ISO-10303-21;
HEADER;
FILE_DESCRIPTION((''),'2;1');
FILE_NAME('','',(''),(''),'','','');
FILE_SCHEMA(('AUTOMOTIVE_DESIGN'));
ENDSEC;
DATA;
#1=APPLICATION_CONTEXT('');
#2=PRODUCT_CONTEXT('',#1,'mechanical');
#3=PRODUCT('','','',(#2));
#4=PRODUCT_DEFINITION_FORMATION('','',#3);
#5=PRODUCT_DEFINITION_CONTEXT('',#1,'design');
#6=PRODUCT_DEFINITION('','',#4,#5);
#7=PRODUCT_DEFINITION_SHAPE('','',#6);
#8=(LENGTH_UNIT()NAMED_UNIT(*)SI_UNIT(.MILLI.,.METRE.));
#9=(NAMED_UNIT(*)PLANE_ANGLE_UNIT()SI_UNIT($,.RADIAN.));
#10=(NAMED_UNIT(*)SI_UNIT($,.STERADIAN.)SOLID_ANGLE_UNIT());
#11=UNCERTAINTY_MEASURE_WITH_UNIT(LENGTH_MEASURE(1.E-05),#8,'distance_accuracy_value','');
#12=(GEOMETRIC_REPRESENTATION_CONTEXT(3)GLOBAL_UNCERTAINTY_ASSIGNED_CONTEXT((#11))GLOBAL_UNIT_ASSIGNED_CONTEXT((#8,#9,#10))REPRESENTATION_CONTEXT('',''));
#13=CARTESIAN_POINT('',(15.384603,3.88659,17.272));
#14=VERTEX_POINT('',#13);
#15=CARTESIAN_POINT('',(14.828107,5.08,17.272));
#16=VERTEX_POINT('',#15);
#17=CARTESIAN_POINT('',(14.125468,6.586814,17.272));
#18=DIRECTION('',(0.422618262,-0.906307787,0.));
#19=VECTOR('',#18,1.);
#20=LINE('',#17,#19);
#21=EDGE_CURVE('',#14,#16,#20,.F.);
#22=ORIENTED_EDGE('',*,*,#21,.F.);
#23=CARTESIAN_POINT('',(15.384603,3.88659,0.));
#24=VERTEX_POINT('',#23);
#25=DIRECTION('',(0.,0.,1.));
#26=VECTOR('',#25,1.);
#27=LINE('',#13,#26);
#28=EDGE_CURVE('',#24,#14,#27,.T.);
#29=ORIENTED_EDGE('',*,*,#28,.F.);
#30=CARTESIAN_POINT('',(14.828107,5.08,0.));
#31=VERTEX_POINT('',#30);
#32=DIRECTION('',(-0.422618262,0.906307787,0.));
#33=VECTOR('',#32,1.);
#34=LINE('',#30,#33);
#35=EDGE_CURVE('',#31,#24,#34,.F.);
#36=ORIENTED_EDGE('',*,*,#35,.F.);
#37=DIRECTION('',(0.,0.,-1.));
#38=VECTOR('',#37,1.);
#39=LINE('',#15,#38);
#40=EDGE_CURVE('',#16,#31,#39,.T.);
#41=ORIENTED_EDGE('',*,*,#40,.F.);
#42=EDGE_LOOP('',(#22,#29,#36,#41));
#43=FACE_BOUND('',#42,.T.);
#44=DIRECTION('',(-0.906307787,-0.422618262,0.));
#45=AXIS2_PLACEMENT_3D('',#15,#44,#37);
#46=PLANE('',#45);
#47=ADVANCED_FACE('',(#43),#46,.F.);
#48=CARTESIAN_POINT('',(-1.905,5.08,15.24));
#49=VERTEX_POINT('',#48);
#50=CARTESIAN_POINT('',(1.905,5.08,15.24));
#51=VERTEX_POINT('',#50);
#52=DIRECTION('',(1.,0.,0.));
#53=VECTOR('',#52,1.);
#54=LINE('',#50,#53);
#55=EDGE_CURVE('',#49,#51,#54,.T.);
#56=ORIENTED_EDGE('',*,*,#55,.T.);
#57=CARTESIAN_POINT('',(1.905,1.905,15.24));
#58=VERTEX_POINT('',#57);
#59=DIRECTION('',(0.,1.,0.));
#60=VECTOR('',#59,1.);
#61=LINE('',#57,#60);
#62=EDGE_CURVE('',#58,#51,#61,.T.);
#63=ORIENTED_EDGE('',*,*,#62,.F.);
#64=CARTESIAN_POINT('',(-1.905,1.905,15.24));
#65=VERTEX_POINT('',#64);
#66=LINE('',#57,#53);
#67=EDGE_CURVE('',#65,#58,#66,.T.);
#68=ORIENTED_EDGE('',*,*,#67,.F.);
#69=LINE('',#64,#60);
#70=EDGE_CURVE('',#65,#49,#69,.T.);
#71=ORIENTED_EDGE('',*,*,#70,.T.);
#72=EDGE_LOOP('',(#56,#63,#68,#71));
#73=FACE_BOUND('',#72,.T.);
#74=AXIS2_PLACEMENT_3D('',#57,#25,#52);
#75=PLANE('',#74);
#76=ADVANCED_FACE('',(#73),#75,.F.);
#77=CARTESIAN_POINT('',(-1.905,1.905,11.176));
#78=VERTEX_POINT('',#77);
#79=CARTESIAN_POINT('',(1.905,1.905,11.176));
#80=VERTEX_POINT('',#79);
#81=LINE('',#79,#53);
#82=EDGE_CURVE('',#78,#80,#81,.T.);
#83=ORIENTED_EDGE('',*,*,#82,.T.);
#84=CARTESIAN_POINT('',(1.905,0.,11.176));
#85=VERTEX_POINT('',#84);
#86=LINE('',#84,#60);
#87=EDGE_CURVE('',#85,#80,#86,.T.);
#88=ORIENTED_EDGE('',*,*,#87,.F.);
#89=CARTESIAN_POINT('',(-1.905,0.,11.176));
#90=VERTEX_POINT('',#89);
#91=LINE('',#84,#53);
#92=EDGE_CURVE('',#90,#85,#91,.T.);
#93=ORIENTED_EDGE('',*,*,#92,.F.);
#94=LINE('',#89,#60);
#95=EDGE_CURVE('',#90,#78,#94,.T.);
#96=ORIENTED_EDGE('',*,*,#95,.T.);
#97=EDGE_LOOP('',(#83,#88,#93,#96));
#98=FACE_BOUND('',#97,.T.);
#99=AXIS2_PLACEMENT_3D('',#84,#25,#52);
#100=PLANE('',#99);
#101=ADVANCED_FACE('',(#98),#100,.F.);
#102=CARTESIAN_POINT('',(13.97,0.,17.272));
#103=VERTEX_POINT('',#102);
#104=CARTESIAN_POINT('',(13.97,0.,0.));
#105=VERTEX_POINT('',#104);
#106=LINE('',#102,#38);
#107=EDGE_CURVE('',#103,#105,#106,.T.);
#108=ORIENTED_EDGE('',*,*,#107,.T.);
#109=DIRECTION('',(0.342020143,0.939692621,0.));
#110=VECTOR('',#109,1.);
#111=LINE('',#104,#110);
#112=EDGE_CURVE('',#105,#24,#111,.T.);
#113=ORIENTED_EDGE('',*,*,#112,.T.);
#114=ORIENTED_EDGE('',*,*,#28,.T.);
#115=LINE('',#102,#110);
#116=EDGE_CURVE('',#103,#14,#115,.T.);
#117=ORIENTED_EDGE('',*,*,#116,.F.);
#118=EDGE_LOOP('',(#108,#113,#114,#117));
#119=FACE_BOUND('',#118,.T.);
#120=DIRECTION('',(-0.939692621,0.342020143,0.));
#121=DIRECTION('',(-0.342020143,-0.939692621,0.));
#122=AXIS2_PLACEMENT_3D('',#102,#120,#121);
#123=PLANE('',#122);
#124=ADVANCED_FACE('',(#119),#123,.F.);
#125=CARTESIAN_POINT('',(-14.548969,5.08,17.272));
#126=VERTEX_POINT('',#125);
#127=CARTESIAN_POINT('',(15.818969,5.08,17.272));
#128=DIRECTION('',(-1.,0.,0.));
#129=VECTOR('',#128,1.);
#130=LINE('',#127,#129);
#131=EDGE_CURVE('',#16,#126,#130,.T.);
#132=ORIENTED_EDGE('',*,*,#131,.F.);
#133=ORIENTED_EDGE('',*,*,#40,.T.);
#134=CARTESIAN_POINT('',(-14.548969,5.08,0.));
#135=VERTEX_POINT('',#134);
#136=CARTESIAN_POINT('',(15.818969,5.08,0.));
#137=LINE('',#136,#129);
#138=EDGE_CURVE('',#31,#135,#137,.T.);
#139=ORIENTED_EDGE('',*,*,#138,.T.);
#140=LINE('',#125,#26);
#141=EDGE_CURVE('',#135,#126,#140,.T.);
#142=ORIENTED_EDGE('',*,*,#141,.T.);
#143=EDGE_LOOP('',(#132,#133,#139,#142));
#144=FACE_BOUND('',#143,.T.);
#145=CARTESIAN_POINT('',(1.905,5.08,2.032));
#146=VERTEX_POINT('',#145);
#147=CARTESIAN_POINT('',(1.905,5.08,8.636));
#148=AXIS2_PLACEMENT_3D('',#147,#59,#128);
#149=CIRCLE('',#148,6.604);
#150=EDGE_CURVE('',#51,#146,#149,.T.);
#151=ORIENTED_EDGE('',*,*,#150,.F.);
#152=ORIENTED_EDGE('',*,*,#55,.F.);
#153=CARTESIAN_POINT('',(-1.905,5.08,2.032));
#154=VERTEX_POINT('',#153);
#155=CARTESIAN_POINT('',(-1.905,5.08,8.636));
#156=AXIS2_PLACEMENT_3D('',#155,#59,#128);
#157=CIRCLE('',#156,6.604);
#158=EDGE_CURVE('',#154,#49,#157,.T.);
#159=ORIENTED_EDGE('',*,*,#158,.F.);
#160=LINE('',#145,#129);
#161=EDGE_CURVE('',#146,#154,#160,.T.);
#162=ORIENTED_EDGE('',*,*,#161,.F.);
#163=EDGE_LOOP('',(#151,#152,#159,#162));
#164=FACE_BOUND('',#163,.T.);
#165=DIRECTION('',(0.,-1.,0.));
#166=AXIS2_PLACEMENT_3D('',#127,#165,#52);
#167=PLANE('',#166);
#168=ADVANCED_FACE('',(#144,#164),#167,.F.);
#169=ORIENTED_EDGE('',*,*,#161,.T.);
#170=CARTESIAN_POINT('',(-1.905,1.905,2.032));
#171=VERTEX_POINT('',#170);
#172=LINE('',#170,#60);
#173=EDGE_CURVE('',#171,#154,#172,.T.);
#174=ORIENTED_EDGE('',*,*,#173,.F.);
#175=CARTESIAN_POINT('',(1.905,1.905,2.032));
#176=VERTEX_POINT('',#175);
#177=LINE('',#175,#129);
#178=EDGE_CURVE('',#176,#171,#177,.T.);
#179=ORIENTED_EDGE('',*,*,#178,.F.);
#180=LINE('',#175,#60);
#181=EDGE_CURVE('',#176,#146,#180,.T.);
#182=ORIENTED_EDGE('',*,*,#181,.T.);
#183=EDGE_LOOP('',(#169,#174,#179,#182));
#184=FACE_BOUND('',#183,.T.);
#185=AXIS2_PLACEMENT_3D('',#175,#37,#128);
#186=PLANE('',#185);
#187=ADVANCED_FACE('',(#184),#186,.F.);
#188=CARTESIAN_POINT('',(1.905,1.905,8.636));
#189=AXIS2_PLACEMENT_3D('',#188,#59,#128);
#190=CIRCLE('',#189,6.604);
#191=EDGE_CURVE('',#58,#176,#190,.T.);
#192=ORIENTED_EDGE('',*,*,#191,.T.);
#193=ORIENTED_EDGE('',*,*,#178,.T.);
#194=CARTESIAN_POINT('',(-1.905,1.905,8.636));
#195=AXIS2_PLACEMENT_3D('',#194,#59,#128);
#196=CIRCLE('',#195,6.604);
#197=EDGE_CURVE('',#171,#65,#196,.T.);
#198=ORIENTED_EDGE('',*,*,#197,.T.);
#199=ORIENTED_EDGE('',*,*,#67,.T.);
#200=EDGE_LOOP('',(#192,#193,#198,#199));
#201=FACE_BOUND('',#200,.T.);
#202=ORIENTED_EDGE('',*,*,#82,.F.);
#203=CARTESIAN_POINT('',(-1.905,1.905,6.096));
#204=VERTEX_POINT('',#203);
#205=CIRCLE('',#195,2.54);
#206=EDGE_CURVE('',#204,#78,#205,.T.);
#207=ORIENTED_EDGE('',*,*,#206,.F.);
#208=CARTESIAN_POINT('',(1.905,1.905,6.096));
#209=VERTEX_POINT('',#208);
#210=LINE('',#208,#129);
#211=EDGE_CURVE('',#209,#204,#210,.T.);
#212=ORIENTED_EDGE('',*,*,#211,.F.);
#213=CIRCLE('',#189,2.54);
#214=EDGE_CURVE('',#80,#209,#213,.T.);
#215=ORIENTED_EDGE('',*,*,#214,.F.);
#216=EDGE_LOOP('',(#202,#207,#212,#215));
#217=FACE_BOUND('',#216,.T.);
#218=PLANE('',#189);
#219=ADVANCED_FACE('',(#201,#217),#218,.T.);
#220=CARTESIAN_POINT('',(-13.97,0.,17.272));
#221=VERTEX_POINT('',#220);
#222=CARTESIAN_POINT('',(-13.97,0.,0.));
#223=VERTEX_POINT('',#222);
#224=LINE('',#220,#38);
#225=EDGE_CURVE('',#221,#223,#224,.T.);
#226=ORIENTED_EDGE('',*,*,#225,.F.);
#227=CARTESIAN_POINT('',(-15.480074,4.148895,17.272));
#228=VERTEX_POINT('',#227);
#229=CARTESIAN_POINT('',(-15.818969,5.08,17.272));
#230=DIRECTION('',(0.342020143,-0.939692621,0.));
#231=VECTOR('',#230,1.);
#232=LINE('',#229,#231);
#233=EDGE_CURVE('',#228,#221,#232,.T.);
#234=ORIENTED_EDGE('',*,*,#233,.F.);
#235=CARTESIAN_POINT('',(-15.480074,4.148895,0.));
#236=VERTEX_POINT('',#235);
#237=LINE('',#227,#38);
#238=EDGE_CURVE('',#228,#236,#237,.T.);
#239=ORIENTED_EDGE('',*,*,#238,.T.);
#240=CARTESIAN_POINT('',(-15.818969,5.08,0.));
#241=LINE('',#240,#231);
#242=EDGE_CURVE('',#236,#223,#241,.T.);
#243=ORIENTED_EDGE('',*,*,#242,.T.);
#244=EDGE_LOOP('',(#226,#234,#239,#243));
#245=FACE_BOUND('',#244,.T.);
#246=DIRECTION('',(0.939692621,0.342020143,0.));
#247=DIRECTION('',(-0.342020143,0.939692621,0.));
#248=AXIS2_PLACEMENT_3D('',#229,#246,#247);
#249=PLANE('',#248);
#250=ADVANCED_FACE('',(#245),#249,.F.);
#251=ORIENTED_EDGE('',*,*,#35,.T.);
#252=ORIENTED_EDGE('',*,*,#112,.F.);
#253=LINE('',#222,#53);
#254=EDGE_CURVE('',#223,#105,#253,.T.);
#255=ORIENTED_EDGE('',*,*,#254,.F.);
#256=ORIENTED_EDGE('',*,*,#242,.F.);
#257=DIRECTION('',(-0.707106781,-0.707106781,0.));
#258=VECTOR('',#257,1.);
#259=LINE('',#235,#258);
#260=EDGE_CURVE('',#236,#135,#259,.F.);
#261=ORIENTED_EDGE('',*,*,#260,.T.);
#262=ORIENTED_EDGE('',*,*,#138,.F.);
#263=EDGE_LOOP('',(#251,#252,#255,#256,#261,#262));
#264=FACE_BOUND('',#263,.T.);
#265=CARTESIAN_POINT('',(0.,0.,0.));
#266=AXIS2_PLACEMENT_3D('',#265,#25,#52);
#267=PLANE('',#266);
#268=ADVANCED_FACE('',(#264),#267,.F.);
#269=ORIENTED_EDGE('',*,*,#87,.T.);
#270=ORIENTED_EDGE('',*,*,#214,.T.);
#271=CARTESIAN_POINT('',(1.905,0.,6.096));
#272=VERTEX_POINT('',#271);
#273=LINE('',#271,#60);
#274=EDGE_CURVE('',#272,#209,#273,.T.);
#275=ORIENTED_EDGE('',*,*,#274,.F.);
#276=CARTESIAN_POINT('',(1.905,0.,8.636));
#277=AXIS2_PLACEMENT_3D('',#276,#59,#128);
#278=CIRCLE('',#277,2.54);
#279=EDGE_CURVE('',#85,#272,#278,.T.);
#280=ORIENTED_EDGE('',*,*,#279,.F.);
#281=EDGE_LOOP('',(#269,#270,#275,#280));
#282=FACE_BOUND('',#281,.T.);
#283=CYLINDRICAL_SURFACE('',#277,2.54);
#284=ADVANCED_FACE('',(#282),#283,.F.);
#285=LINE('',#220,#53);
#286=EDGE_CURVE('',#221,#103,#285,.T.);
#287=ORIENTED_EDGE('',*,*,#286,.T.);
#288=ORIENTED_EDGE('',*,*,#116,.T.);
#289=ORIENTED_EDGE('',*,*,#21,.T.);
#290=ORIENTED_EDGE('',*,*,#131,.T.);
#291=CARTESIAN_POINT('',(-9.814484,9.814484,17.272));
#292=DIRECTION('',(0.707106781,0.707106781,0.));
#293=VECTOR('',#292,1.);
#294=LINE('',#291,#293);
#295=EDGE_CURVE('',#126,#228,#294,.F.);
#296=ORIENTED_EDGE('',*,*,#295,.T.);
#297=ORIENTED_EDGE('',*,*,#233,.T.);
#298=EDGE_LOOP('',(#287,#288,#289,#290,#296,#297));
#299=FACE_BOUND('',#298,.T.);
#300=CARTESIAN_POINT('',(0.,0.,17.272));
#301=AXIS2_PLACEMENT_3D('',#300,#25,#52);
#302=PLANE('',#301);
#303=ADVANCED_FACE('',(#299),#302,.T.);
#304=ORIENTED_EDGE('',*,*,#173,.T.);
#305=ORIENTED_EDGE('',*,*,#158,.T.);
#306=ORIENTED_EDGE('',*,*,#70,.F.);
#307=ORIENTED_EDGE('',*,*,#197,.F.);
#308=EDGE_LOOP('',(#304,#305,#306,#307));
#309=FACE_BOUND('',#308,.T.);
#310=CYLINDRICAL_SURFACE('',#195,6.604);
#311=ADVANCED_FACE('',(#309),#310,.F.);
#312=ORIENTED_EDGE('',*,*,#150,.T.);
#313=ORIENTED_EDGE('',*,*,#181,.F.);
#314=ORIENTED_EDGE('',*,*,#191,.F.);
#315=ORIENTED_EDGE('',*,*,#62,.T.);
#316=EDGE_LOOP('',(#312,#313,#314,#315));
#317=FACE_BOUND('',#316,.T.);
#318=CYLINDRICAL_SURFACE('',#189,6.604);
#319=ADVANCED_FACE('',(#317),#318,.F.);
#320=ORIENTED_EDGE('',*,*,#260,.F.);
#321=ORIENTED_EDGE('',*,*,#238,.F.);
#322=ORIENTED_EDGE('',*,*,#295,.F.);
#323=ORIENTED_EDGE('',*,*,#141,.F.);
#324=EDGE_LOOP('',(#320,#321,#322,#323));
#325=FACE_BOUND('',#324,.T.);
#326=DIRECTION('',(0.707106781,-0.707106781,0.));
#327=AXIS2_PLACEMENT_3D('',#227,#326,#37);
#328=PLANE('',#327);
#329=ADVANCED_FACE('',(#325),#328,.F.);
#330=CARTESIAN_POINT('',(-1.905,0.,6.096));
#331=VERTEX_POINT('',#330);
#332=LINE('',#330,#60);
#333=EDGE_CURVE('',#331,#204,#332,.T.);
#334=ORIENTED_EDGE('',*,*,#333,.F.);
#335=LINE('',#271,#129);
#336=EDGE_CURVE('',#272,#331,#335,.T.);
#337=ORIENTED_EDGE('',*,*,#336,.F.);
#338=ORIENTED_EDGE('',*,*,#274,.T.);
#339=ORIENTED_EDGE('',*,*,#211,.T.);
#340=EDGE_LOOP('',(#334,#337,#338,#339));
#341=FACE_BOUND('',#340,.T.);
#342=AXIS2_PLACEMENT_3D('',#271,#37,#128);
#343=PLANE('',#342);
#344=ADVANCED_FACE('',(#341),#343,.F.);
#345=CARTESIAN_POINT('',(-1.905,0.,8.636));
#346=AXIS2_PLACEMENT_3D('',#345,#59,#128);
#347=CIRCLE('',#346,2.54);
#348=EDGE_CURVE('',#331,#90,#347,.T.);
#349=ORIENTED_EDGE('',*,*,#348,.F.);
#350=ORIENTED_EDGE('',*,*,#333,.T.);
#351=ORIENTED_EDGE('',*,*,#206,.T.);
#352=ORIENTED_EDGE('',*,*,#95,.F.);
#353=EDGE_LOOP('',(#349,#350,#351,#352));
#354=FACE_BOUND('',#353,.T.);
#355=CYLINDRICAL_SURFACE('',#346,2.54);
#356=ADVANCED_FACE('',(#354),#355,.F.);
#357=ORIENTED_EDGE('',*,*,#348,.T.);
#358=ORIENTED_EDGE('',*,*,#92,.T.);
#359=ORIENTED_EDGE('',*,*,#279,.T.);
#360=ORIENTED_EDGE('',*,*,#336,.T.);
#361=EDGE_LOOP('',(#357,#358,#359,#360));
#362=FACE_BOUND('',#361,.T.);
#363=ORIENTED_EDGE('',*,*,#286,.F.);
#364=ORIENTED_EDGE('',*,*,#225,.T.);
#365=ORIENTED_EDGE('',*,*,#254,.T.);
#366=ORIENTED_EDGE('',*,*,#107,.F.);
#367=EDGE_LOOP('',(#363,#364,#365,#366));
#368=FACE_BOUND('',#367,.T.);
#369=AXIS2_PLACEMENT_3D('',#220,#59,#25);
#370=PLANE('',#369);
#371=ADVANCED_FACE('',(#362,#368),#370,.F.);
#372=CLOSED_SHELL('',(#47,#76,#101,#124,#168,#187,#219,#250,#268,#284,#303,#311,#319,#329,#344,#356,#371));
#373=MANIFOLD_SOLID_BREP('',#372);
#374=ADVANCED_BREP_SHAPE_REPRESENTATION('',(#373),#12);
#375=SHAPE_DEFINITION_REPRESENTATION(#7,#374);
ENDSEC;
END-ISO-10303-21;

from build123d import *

# Parameters (mm, degrees)
BOSS_EXTRUDE1_DEPTH   = 17.272
SKETCH2_OUTSIDE_W     = 40.918
SKETCH2_OUTSIDE_H     = 26.552
SKETCH2_OUTSIDE_W_2   = 31.63793758
SKETCH2_OUTSIDE_H_2   = 17.272
CUT_EXTRUDE1_DEPTH    = 3.175
CUT_EXTRUDE3_DEPTH    = 2.905
CHAMFER1_SIZE2        = 1.27
CHAMFER1_SIZE         = 0.990861631
CHAMFER1_EDGE_2_SIZE2 = 1.27
CHAMFER1_EDGE_2_SIZE  = 0.990861631


with BuildPart() as part:
    # Sketch1 → Boss-Extrude1 (new body)
    with BuildSketch(Plane.XY):
        Polygon((-13.97, 0), (13.97, 0), (15.81896879, 5.08), (-15.81896879, 5.08), align=None)
    extrude(amount=BOSS_EXTRUDE1_DEPTH)

    # Sketch2 outside → Cut-Extrude1 (cut)
    with BuildSketch(Plane(origin=(0, 5.08, 0), x_dir=(1, 0, 0), z_dir=(0, 1, 0))):
        with Locations((0, -8.636)):
            Rectangle(SKETCH2_OUTSIDE_W, SKETCH2_OUTSIDE_H)
        with Locations((0, -8.636)):
            Rectangle(SKETCH2_OUTSIDE_W_2, SKETCH2_OUTSIDE_H_2, mode=Mode.SUBTRACT)
        with BuildLine():
            Line((1.905, -15.24), (-1.905, -15.24))
            ThreePointArc((-1.905, -15.24), (-8.509, -8.636), (-1.905, -2.032))
            Line((-1.905, -2.032), (1.905, -2.032))
            ThreePointArc((1.905, -2.032), (8.509, -8.636), (1.905, -15.24))
        make_face()
    extrude(amount=-CUT_EXTRUDE1_DEPTH, mode=Mode.SUBTRACT)

    # Sketch4 → Cut-Extrude3 (cut, through all)
    with BuildSketch(Plane(origin=(0, 1.905, 0), x_dir=(1, 0, 0), z_dir=(0, 1, 0))):
        with BuildLine():
            Line((1.905, -11.176), (-1.905, -11.176))
            ThreePointArc((-1.905, -11.176), (-4.445, -8.636), (-1.905, -6.096))
            Line((-1.905, -6.096), (1.905, -6.096))
            ThreePointArc((1.905, -6.096), (4.445, -8.636), (1.905, -11.176))
        make_face()
    extrude(amount=-CUT_EXTRUDE3_DEPTH, mode=Mode.SUBTRACT)

    # Chamfer1
    chamfer1_edges = [part.edges().sort_by_distance(p)[0] for p in [
        (-15.81896879, 5.08, 8.636),
    ]]
    chamfer(chamfer1_edges, length=CHAMFER1_SIZE, length2=CHAMFER1_SIZE2)

    # Chamfer1 edge 2
    chamfer1_edge_2_edges = [part.edges().sort_by_distance(p)[0] for p in [
        (15.81896879, 5.08, 8.636),
    ]]
    chamfer(chamfer1_edge_2_edges, length=CHAMFER1_EDGE_2_SIZE, length2=CHAMFER1_EDGE_2_SIZE2)


solid = part.part
